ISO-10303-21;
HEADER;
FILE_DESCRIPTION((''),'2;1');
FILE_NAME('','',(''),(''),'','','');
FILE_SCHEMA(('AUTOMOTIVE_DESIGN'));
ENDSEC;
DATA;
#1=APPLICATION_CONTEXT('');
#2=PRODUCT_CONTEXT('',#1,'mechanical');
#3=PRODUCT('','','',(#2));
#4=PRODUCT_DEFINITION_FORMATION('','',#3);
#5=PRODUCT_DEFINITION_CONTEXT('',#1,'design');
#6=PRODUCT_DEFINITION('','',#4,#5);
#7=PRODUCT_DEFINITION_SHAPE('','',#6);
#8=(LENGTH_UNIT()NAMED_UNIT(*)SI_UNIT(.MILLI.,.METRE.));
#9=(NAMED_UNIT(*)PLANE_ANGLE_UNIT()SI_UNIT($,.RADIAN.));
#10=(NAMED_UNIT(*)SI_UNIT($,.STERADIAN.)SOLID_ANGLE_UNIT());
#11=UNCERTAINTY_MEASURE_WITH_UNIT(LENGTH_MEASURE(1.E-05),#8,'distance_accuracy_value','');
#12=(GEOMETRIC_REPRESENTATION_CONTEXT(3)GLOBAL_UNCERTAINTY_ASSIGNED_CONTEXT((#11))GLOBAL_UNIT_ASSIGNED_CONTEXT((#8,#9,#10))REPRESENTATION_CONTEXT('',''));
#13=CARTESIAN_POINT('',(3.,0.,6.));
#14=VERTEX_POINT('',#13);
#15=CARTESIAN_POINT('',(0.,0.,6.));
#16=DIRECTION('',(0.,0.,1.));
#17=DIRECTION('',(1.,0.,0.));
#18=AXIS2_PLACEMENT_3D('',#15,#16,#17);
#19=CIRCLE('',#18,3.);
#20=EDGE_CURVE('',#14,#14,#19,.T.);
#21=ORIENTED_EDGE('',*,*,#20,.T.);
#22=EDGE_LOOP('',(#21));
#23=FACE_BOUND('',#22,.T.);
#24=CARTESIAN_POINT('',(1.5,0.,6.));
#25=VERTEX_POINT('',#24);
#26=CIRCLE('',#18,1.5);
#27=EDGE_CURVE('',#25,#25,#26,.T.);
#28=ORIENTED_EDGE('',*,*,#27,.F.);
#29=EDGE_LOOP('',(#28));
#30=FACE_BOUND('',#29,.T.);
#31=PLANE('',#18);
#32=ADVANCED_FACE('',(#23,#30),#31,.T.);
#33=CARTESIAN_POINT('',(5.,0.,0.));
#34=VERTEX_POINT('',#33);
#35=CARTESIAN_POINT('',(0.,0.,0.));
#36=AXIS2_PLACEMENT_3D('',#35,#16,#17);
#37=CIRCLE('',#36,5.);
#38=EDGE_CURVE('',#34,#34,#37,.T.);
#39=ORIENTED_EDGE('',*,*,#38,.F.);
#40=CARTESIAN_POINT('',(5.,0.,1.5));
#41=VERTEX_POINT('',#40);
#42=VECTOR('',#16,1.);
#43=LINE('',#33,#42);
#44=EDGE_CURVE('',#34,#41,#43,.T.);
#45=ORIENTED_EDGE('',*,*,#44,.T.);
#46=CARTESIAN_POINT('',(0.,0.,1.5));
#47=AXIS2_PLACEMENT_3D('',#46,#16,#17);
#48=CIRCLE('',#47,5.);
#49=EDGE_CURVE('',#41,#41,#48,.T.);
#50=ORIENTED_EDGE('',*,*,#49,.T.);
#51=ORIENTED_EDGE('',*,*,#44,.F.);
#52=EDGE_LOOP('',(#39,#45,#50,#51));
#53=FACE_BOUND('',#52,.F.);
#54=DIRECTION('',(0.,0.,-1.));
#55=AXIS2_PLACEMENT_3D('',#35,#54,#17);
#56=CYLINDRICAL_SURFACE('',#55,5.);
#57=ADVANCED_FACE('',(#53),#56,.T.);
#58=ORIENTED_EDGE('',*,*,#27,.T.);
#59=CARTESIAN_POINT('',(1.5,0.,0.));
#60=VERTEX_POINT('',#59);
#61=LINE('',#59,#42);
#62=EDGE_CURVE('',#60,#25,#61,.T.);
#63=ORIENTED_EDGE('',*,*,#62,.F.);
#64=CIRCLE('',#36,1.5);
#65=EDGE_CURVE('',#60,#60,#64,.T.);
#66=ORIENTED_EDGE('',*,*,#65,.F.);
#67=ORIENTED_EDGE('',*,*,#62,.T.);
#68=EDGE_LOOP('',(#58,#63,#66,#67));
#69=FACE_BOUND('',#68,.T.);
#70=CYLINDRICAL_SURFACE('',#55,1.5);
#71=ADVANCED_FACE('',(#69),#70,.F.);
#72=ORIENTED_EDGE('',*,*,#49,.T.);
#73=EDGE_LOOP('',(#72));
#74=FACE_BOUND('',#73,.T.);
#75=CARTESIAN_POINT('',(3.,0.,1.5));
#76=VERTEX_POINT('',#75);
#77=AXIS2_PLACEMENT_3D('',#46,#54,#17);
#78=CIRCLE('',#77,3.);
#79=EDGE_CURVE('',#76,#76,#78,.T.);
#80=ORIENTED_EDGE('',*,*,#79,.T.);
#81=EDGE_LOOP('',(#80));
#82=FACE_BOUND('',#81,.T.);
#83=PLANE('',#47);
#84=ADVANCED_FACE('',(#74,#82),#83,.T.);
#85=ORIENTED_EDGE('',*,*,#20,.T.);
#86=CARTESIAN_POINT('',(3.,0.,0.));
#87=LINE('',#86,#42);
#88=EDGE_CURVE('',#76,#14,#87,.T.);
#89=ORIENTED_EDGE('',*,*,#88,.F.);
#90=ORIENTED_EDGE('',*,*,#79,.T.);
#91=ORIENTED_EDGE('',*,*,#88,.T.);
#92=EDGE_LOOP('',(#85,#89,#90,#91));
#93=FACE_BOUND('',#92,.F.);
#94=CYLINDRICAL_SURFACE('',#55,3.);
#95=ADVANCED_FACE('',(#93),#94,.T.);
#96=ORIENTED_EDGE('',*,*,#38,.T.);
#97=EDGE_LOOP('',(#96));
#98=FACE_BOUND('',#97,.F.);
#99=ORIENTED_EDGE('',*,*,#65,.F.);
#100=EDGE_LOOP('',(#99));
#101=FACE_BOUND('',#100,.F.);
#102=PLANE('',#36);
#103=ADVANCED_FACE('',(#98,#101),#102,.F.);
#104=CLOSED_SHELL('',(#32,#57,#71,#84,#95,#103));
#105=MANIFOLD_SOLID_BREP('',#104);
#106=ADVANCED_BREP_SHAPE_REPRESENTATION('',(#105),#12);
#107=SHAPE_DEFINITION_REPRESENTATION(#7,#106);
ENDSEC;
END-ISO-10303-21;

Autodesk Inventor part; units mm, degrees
ref_plane "YZ Plane" through (0, 0, 0) normal (1, 0, 0) x (0, 1, 0)
ref_plane "XZ Plane" through (0, 0, 0) normal (0, 1, 0) x (-1, 0, 0)
ref_plane "XY Plane" through (0, 0, 0) normal (0, 0, 1) x (1, 0, 0)
sketch "スケッチ1" plane through (0, 0, 0) normal (0, 0, 1) x (1, 0, 0)
  circle A0 centre (0, 0) radius 1.5
  circle A1 centre (0, 0) radius 3
  circle A2 centre (0, 0) radius 5
  dimension "d0" = 3
  dimension "d1" = 6
  dimension "d7" = 10
extrude "押し出し1" add sketch "スケッチ1" along normal blind 1.5 contours A1 | A2
extrude "押し出し2" add sketch "スケッチ1" along normal blind 6 contours A1
properties part number "横回転フランジ付き軸" material "アルミニウム 7075"
